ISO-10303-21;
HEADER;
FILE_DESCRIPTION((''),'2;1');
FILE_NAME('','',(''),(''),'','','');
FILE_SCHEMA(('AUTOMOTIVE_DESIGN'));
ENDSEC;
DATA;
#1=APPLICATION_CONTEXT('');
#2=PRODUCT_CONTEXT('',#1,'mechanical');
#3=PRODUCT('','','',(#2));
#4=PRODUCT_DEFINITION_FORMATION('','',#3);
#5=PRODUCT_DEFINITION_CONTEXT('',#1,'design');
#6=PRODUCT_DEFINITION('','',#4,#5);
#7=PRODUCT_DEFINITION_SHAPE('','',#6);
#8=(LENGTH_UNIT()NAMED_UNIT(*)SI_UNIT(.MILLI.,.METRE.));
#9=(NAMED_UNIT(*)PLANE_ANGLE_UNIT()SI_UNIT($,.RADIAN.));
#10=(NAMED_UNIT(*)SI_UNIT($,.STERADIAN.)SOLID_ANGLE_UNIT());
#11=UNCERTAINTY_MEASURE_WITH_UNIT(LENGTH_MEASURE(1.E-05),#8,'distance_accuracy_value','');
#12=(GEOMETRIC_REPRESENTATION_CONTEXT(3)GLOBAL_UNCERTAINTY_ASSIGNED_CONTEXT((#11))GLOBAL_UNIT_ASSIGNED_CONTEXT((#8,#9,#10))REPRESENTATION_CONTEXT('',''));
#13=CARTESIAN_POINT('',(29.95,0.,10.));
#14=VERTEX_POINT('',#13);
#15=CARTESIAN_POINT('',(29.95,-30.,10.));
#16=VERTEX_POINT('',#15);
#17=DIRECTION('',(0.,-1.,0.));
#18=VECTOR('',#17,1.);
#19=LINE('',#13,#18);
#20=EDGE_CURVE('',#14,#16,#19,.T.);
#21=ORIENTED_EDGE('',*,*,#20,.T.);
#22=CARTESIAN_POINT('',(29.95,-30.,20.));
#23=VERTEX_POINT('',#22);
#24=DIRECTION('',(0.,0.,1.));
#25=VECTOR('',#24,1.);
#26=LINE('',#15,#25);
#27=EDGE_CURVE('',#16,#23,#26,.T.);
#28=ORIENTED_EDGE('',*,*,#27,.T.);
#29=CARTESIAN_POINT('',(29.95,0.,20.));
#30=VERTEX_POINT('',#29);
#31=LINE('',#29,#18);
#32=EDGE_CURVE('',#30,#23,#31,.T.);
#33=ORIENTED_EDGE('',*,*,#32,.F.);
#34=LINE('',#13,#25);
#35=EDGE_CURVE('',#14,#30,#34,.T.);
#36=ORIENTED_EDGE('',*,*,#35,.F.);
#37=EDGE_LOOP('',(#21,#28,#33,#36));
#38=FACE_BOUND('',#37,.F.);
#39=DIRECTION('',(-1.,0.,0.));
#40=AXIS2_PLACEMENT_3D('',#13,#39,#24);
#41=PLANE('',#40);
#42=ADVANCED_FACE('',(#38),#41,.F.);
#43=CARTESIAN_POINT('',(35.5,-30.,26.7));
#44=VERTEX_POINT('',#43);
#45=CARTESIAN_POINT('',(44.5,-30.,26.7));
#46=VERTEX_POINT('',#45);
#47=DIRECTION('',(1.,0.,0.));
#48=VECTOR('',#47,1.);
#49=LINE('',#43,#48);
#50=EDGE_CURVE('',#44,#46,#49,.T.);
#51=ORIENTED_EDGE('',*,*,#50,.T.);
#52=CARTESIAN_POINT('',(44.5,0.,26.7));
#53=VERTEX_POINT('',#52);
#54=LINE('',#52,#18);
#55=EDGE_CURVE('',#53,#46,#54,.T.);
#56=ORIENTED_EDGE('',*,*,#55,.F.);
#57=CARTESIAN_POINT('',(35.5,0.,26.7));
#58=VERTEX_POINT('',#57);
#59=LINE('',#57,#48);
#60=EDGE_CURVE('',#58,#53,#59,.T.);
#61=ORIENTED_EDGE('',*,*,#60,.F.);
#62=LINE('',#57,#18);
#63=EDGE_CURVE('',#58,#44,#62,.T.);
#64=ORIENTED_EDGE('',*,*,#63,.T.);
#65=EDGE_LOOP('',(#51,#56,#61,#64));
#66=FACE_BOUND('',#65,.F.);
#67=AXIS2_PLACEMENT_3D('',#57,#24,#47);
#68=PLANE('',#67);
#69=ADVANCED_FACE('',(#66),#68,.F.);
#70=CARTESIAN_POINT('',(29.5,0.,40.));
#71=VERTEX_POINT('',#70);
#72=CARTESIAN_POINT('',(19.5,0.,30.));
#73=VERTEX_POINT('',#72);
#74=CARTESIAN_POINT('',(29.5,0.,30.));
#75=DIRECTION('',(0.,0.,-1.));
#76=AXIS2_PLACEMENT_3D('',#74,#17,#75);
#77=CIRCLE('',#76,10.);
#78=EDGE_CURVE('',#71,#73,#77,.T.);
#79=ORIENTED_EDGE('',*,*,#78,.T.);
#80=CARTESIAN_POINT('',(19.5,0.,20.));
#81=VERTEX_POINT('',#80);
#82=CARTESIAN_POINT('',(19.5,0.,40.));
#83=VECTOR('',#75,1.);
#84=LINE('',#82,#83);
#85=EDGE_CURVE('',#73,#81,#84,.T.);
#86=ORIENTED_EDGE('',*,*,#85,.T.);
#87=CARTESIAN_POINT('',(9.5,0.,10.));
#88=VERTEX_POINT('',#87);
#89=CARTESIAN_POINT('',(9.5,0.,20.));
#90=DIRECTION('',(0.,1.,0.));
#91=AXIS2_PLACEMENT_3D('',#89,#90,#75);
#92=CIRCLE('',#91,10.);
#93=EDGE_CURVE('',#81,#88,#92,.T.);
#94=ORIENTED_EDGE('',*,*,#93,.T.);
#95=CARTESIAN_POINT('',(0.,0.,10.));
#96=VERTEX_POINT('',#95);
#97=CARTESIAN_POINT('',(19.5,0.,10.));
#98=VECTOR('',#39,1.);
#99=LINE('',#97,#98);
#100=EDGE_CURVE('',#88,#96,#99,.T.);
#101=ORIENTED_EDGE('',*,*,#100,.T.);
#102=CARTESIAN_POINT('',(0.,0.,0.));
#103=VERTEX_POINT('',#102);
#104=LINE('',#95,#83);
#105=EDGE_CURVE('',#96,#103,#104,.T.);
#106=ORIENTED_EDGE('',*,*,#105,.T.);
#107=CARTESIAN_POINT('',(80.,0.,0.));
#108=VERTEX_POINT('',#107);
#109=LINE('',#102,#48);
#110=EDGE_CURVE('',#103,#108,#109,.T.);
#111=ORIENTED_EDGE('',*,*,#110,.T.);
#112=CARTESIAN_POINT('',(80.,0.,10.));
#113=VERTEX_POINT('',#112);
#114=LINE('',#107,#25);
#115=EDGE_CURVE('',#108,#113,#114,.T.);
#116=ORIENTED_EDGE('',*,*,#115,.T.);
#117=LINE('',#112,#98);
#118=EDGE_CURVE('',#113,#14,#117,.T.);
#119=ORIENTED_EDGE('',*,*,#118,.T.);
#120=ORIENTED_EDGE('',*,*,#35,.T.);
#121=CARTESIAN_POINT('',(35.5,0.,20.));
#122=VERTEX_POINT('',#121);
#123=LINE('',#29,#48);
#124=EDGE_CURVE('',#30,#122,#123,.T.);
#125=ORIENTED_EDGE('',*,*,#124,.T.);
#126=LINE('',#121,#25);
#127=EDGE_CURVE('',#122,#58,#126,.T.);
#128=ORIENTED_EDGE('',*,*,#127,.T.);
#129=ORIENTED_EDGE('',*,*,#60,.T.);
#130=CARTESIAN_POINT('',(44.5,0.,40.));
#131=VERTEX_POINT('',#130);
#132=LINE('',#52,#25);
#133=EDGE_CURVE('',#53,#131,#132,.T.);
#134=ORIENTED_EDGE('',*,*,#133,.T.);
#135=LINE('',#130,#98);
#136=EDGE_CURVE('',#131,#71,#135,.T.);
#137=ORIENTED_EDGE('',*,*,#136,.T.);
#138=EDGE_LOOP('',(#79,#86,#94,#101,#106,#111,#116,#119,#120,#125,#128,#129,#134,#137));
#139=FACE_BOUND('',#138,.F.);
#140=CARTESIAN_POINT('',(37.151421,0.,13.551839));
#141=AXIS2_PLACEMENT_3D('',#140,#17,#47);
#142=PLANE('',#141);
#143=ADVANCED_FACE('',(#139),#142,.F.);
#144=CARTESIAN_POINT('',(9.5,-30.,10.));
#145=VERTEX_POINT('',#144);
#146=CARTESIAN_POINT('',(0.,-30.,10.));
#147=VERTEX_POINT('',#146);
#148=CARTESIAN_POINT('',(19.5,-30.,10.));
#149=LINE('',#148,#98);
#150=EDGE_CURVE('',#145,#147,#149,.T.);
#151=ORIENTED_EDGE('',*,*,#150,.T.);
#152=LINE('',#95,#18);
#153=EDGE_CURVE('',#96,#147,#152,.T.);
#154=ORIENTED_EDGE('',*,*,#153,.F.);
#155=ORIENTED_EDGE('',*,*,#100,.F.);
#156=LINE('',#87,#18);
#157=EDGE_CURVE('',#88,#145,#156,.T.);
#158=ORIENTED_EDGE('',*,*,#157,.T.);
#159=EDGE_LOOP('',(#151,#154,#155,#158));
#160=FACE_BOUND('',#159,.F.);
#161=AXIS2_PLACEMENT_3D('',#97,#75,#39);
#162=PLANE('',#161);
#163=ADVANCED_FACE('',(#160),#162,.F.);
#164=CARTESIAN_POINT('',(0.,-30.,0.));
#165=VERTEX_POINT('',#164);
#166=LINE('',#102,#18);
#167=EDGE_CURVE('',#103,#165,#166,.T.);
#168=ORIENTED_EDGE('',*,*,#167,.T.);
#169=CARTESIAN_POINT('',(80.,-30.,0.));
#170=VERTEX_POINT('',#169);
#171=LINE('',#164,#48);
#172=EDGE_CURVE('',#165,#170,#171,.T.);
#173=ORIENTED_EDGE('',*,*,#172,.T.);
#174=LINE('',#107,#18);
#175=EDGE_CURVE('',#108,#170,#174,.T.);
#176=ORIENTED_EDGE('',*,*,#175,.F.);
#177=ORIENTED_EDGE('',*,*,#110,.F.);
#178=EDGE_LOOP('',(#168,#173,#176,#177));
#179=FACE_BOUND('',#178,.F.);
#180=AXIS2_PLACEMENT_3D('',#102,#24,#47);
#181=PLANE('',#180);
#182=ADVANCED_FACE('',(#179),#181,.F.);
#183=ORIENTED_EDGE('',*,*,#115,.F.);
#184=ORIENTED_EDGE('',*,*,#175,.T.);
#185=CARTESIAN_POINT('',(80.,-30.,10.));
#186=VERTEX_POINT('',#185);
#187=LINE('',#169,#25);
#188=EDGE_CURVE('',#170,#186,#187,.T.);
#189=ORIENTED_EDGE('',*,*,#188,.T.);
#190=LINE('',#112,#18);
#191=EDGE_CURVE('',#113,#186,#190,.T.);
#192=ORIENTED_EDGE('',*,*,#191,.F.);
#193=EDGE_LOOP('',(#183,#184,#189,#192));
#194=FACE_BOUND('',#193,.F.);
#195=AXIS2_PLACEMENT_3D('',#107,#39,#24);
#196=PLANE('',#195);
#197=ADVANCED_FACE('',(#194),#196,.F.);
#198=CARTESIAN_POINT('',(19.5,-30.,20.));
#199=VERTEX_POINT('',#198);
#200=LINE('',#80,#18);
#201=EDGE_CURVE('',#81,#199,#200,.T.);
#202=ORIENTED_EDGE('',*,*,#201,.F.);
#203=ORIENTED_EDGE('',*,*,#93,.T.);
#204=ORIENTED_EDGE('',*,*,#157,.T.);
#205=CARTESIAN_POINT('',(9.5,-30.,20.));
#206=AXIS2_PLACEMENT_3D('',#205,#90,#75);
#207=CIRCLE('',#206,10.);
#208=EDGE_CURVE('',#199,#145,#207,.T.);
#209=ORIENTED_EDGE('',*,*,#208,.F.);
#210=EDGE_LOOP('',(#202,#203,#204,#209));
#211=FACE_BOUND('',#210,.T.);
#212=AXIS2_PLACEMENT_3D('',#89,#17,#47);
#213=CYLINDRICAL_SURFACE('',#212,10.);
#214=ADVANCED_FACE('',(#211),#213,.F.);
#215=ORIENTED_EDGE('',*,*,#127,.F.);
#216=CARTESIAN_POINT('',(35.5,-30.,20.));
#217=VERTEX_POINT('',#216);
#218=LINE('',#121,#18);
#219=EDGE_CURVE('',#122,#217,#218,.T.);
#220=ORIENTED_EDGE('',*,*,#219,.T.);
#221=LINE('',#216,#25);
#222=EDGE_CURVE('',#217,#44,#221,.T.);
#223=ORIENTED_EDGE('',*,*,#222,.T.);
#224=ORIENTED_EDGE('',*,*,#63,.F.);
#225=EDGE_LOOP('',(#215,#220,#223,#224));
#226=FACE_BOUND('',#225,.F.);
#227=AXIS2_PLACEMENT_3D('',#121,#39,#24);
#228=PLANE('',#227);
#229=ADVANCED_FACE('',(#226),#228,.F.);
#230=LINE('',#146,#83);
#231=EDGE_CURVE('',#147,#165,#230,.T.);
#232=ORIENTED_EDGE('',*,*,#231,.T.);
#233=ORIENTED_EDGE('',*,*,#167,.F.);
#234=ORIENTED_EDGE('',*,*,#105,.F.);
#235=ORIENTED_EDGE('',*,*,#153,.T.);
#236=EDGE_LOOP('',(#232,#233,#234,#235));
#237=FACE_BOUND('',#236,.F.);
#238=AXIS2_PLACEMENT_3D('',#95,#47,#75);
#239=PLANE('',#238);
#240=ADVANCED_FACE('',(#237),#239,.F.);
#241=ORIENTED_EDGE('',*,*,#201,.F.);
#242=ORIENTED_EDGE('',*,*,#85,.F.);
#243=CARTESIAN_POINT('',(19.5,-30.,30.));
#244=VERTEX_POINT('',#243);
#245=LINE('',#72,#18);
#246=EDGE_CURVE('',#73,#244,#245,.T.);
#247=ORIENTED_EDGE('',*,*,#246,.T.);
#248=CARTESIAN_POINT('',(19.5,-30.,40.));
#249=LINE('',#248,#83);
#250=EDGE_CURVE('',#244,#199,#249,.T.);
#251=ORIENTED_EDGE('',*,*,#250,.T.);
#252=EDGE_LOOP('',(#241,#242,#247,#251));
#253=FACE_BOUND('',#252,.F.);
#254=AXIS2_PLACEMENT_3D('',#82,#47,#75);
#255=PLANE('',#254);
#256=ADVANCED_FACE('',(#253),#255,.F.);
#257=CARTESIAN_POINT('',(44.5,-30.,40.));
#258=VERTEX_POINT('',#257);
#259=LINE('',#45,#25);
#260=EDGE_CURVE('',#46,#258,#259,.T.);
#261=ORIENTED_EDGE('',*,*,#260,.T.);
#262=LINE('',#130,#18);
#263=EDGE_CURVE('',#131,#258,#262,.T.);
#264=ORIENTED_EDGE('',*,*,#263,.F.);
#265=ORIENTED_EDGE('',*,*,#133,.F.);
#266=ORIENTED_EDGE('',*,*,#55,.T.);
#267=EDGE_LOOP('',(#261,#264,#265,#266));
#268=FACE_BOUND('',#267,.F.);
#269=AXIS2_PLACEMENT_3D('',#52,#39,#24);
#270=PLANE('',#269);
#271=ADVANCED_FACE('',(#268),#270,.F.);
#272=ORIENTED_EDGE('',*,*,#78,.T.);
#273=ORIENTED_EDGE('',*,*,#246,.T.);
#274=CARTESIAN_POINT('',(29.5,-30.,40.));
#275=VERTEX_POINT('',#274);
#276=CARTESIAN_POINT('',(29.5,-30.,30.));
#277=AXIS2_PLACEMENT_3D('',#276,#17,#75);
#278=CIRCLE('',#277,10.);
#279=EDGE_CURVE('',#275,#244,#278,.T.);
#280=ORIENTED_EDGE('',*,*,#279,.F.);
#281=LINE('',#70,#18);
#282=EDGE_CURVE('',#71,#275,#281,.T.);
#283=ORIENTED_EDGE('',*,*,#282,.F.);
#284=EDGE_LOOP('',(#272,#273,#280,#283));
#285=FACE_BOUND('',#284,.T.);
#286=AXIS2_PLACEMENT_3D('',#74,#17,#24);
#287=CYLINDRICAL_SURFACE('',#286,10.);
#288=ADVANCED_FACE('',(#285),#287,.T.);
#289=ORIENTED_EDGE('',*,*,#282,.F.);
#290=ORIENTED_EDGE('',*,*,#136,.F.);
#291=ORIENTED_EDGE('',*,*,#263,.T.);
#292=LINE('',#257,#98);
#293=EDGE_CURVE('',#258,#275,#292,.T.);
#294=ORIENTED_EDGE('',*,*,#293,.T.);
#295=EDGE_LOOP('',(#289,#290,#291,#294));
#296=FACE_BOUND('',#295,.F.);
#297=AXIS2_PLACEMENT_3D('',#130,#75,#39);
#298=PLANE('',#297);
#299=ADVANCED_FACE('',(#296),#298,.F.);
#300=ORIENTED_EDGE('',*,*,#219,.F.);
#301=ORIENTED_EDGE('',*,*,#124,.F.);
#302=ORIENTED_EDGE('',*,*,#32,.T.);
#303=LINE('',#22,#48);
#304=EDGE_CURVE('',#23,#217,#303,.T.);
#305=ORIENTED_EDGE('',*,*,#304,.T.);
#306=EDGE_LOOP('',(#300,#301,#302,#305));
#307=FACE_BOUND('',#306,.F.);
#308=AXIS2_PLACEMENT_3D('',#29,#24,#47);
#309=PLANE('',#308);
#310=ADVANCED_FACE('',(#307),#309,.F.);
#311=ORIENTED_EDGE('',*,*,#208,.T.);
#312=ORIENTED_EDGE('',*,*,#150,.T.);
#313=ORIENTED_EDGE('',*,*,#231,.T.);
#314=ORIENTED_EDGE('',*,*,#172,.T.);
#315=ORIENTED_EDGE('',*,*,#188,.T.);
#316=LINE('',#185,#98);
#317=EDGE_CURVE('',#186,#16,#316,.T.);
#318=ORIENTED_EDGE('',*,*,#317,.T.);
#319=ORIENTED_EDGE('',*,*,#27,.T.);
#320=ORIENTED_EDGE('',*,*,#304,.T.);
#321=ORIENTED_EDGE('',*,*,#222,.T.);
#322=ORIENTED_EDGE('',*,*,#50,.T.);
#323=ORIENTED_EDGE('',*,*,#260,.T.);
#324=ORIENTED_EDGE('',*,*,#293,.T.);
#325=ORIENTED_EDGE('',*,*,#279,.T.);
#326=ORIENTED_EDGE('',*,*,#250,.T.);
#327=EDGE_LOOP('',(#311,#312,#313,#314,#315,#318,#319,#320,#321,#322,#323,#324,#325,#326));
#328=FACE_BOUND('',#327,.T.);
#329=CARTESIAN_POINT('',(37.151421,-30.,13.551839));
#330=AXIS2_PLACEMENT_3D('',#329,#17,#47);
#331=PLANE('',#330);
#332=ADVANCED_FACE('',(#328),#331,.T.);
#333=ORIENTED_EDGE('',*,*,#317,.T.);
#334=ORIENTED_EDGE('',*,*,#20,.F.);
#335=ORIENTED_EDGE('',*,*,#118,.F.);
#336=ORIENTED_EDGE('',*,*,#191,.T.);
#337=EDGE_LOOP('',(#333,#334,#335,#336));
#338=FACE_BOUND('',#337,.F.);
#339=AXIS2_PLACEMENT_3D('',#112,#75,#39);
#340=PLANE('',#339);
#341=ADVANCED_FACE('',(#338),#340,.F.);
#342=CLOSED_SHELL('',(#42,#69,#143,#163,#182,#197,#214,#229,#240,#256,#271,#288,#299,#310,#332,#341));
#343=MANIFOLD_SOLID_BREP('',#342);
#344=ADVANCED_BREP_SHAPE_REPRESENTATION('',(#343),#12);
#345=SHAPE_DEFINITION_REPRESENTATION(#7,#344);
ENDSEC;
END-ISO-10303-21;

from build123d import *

# Parameters (mm, degrees)
F1_DEPTH = 30
F2_R     = 10


with BuildPart() as f1:
    # F0 (on Front) → F1 (new body)
    with BuildSketch(Plane.XZ):
        Polygon((0, 10), (0, 0), (80, 0), (80, 10), (29.95, 10), (29.95, 20), (35.5, 20), (35.5, 26.7), (44.5, 26.7), (44.5, 40), (19.5, 40), (19.5, 10), align=None)
    extrude(amount=F1_DEPTH)

    # F2
    f2_edges = [f1.edges().sort_by_distance(p)[0] for p in [
        (19.5, -15, 10),
        (19.5, -15, 40),
    ]]
    fillet(f2_edges, radius=F2_R)


solid = f1.part
